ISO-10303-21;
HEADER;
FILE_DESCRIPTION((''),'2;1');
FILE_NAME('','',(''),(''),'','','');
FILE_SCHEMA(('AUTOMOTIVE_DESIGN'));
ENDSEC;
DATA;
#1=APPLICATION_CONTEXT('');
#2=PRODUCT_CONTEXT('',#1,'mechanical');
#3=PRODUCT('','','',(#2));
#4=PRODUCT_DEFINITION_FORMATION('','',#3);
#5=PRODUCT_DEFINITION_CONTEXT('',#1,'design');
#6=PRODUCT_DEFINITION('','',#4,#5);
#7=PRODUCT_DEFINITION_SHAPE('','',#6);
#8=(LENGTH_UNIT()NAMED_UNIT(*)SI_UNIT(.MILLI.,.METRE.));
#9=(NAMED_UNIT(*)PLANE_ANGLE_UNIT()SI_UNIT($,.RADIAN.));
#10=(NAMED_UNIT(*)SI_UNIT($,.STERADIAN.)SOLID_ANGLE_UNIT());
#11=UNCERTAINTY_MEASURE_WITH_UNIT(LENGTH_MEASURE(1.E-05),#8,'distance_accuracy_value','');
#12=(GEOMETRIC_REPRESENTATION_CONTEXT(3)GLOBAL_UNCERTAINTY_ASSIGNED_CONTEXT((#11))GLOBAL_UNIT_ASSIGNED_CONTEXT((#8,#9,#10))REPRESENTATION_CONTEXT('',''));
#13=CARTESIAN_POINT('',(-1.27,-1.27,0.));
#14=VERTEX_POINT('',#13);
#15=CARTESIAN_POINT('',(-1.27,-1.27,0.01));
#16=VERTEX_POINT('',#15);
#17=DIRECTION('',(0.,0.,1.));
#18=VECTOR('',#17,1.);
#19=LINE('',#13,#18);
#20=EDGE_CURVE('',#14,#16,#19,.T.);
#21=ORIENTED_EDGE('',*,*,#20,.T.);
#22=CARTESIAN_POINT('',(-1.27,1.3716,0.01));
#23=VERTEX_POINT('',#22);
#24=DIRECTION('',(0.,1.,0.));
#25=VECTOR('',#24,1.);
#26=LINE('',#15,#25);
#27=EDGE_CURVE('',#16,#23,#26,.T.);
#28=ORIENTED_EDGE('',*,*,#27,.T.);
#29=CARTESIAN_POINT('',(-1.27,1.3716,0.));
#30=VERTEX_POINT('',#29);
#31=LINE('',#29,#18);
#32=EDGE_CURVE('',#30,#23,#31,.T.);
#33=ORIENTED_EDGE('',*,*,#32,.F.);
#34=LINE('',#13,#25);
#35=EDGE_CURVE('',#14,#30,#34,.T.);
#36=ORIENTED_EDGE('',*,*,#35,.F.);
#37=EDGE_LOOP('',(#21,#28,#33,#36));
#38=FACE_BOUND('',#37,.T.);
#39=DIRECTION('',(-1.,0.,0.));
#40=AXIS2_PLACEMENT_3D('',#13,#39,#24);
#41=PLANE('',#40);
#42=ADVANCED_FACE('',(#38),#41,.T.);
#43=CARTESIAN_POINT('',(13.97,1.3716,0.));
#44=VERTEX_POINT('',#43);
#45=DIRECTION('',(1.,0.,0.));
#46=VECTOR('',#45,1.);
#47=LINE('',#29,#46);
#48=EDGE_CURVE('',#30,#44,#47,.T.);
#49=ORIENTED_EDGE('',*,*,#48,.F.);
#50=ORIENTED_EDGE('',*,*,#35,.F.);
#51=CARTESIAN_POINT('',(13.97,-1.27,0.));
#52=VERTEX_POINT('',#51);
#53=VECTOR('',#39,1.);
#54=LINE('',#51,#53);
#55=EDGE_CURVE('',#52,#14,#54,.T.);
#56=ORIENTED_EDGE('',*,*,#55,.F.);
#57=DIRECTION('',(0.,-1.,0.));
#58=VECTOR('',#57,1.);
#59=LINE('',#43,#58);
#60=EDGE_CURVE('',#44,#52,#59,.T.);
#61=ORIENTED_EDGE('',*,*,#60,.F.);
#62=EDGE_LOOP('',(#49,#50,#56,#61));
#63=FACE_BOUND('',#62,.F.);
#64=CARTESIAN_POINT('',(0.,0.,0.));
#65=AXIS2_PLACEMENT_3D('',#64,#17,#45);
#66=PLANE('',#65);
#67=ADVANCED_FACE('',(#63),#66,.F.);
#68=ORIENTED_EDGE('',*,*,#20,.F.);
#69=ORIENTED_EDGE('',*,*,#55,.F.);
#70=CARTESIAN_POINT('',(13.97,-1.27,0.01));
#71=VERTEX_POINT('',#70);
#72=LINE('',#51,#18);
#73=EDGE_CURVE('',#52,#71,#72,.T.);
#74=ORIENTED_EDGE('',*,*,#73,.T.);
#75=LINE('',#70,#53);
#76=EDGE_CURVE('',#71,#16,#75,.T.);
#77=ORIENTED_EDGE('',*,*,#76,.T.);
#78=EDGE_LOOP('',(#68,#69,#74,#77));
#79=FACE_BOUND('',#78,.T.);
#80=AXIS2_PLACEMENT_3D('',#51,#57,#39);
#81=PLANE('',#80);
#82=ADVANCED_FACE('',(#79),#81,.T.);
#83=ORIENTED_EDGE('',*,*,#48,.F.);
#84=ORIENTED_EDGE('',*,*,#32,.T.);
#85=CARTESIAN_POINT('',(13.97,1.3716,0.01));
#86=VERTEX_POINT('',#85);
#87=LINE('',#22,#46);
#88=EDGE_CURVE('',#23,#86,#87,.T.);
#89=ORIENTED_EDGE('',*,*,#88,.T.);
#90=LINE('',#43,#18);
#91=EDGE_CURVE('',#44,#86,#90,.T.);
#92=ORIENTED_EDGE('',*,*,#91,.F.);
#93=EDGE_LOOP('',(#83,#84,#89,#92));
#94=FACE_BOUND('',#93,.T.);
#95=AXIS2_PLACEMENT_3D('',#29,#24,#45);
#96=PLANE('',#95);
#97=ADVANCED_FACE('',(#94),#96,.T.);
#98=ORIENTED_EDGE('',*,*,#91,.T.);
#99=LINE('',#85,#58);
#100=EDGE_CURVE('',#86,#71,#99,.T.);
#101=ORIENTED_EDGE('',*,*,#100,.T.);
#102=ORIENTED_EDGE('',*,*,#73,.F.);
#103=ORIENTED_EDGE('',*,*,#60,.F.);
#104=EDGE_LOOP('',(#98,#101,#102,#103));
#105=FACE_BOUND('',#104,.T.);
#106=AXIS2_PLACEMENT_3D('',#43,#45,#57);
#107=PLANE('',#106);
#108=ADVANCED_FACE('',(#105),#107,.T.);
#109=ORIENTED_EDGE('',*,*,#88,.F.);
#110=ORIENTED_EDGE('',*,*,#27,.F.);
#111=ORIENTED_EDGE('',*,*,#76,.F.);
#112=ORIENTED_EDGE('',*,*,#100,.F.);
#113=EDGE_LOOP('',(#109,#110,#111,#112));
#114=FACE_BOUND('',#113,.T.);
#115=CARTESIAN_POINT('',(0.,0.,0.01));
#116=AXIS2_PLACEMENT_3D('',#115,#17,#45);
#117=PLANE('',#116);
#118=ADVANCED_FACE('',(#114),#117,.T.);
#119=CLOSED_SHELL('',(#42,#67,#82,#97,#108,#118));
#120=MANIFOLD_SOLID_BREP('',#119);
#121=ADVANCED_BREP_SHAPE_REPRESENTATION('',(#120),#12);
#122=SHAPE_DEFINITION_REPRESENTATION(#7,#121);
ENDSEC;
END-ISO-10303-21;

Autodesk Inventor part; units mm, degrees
ref_plane "YZ Plane" through (0, 0, 0) normal (1, 0, 0) x (0, 1, 0)
ref_plane "XZ Plane" through (0, 0, 0) normal (0, 1, 0) x (-1, 0, 0)
ref_plane "XY Plane" through (0, 0, 0) normal (0, 0, 1) x (1, 0, 0)
sketch "1X06, FTDI_30" plane through (0, 0, 0) normal (0, 0, 1) x (1, 0, 0)
  line L0 (-1.27, 1.3716) -> (13.97, 1.3716)
  line L1 (13.97, 1.3716) -> (13.97, -1.27)
  line L2 (13.97, -1.27) -> (-1.27, -1.27)
  line L3 (-1.27, -1.27) -> (-1.27, 1.3716)
extrude "Extrusion1" add sketch "1X06, FTDI_30" along normal blind 0.01
properties part number "FTDI"
